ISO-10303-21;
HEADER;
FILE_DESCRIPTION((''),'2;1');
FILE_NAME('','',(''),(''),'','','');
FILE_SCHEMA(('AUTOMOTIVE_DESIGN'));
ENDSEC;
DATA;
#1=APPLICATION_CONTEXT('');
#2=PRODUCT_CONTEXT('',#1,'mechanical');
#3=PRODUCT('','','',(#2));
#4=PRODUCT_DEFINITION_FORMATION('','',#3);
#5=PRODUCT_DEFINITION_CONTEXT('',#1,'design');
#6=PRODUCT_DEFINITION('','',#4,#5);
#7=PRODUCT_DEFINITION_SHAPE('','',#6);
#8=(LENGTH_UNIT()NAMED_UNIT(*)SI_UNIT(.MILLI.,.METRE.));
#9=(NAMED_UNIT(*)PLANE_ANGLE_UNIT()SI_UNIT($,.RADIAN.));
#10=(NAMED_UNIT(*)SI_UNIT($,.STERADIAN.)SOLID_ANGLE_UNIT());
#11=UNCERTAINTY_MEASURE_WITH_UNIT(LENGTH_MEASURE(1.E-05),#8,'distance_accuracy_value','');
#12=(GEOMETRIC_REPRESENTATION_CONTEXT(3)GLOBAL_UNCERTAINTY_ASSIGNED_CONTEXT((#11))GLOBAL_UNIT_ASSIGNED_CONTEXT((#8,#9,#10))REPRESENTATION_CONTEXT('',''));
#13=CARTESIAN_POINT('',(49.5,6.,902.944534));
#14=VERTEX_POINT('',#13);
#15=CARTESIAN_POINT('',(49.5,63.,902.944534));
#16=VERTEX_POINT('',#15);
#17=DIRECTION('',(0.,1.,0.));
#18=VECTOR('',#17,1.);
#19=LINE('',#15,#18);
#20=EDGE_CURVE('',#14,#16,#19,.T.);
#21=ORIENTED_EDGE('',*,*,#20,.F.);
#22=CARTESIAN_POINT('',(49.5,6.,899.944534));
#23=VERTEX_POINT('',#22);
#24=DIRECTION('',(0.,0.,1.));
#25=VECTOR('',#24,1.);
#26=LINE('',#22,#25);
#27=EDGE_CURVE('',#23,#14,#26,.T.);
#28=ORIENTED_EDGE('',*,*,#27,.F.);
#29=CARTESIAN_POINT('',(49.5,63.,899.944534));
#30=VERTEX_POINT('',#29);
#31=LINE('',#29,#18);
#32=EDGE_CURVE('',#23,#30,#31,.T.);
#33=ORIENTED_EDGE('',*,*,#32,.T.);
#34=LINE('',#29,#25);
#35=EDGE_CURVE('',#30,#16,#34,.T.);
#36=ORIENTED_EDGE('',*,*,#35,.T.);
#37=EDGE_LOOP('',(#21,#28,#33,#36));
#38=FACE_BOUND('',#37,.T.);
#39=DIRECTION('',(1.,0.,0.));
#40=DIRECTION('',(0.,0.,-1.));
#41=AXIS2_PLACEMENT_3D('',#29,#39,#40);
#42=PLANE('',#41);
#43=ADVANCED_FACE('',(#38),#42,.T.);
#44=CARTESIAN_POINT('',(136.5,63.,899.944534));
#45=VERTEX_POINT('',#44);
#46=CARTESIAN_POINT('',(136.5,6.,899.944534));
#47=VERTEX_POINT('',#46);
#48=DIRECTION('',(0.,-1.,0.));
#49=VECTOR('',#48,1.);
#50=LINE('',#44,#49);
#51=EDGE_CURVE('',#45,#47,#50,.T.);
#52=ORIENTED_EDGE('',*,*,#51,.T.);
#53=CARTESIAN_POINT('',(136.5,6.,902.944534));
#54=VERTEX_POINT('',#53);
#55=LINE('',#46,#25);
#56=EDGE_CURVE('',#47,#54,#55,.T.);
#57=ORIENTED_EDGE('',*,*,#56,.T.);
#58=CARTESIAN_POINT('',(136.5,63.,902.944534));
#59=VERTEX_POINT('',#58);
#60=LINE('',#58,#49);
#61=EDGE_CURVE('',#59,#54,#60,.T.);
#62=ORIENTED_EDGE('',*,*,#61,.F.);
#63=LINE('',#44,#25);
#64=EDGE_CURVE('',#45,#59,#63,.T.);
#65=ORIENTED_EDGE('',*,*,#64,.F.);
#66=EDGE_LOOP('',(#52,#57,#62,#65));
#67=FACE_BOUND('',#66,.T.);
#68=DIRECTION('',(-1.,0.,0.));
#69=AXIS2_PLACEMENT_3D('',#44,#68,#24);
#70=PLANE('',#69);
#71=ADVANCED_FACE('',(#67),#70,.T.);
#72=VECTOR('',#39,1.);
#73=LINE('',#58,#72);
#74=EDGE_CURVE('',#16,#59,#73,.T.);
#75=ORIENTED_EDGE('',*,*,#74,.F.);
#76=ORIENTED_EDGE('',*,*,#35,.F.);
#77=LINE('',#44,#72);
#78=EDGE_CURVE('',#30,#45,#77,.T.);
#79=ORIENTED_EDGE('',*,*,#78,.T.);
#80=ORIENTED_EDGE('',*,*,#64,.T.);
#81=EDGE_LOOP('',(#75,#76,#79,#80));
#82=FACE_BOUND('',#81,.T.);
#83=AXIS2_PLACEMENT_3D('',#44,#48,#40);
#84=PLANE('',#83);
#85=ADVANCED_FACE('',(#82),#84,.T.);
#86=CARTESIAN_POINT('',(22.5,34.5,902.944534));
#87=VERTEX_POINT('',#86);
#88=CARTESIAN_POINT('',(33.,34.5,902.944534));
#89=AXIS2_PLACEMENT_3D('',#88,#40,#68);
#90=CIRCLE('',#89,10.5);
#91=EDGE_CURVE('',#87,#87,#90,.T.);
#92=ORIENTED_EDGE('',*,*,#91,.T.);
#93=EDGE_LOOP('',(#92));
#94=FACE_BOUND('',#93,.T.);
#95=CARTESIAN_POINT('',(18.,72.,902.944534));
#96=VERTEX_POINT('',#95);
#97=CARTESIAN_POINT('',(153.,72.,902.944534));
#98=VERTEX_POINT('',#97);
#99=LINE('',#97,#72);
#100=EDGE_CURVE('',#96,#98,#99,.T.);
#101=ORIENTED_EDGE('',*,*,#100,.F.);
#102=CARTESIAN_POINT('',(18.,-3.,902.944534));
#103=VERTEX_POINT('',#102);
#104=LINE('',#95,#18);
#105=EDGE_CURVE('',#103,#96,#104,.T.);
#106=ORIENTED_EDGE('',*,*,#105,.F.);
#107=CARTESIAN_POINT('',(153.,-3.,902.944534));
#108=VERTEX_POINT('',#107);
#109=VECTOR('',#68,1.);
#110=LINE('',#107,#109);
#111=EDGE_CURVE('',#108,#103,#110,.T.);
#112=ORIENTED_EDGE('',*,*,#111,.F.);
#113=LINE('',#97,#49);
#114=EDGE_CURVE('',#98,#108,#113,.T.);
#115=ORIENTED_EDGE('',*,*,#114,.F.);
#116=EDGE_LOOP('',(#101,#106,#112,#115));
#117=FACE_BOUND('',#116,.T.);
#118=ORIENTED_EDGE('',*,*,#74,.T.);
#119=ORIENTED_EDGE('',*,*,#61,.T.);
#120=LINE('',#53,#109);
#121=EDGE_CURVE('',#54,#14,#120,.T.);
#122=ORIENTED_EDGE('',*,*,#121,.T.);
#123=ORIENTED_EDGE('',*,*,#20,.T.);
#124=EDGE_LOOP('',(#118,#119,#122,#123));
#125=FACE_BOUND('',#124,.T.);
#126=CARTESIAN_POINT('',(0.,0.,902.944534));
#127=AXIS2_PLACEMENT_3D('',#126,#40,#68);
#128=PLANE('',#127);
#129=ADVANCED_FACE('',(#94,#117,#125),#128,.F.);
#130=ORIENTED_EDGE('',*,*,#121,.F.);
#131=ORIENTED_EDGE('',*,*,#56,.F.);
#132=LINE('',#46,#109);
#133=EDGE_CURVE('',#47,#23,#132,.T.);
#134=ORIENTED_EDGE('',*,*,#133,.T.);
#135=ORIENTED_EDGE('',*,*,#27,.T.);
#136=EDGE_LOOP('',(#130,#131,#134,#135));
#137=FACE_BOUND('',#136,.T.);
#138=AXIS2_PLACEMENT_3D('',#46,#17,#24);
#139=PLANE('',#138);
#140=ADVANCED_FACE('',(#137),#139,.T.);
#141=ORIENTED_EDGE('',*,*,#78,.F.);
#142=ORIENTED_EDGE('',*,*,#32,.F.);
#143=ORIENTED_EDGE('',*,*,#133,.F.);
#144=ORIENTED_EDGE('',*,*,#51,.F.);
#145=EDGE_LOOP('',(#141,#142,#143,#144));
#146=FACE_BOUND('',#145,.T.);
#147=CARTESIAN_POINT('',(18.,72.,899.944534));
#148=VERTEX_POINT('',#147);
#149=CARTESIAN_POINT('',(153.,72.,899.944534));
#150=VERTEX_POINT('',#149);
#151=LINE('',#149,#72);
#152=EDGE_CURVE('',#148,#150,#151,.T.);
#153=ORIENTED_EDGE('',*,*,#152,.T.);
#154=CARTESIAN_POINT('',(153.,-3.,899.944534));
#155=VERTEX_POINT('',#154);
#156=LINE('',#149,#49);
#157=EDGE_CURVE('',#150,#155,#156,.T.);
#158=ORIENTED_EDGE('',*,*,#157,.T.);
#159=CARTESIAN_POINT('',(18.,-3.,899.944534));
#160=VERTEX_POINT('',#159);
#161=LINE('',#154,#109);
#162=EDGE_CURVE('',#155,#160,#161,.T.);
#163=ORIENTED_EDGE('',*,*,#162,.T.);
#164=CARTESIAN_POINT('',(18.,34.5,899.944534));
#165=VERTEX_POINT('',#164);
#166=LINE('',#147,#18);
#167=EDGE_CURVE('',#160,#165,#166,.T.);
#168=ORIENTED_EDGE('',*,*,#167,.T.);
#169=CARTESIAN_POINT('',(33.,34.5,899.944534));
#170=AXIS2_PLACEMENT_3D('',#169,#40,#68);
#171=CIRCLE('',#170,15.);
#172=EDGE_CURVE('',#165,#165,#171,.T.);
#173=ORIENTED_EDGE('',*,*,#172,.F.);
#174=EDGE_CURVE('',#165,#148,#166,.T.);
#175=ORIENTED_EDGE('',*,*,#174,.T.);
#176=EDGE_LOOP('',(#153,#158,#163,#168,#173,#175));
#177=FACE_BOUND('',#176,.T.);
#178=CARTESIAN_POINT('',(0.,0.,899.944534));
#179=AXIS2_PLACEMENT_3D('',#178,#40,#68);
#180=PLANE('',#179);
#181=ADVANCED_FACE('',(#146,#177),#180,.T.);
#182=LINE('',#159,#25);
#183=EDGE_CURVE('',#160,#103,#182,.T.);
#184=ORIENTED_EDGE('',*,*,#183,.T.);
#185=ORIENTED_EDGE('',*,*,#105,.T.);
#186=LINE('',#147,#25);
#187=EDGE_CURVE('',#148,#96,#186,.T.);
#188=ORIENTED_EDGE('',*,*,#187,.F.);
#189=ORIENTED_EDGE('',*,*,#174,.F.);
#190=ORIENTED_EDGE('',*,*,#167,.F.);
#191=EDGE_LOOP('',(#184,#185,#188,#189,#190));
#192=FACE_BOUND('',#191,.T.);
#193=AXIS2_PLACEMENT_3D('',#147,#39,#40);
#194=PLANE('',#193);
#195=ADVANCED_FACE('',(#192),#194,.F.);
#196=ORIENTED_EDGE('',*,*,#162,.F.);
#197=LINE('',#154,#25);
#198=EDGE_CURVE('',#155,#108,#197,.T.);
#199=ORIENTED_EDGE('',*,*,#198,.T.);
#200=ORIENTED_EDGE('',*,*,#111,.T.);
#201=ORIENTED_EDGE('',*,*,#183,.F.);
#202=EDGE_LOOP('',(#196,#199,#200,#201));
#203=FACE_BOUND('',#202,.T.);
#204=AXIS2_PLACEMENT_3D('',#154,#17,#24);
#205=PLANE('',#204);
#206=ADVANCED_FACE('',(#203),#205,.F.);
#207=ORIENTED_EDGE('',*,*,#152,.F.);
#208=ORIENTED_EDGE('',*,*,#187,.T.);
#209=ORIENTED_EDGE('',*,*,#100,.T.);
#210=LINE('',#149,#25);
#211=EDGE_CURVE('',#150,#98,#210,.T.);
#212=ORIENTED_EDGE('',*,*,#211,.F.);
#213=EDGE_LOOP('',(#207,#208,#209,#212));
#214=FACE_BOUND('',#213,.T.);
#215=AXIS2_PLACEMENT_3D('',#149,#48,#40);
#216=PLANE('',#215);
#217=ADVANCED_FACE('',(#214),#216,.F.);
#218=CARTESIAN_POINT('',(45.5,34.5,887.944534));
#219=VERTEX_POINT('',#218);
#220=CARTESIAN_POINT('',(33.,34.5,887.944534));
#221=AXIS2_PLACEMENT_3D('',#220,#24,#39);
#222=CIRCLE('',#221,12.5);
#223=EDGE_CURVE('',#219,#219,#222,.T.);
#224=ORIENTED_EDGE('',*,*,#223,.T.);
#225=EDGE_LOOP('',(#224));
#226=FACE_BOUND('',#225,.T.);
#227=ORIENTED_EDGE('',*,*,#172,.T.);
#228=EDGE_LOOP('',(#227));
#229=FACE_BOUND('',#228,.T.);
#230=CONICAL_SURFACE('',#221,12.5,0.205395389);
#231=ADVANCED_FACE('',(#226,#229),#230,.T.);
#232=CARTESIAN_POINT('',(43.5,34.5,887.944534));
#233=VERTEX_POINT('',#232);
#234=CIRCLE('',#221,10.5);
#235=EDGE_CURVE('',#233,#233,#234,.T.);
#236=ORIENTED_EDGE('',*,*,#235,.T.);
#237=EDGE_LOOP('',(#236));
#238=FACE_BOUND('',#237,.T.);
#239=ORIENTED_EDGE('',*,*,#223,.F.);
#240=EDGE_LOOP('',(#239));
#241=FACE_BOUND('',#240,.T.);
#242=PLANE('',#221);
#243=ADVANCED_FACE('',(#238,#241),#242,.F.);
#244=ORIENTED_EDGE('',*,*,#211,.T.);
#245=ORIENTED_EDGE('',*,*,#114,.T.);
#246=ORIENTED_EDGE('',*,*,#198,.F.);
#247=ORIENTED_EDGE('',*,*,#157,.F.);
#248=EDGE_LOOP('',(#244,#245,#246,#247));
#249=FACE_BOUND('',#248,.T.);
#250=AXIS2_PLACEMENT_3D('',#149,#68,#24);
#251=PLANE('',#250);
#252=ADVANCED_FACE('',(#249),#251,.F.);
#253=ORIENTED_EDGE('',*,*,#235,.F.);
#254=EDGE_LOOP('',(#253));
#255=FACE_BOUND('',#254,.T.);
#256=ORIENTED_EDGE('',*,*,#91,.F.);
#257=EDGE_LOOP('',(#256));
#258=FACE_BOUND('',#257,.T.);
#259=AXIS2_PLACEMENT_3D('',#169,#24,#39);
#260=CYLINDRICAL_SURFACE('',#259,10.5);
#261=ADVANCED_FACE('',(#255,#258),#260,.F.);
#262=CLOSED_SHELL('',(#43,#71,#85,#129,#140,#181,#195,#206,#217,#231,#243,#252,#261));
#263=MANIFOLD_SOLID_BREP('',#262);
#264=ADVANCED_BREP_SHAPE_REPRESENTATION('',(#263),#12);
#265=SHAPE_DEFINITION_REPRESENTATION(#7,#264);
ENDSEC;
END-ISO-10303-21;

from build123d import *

# Parameters (mm, degrees)
SKETCH_1_W          = 135
SKETCH_1_H          = 75
SKETCH_1_R          = 10.5
SKETCH_1_W_2        = 87
SKETCH_1_H_2        = 57
EXTRUDE_1_DEPTH     = 3
SKETCH_5_R          = 15
SKETCH_4_R          = 12.5
CUT_EXTRUDE_1_REACH = 171.52
SKETCH_5_93_R       = 10.5


with BuildPart() as part:
    # 草图1 → 凸台-拉伸1 (new body)
    with BuildSketch(Plane(origin=(0, 0, 902.944534426), x_dir=(-1, 0, 0), z_dir=(0, 0, -1))):
        with Locations((-85.5, 34.5)):
            Rectangle(SKETCH_1_W, SKETCH_1_H)
        with Locations((-33, 34.5)):
            Circle(SKETCH_1_R, mode=Mode.SUBTRACT)
        with Locations((-93, 34.5)):
            Rectangle(SKETCH_1_W_2, SKETCH_1_H_2, mode=Mode.SUBTRACT)
    extrude(amount=EXTRUDE_1_DEPTH)

    # 草图5 → 放样4 section 0
    with BuildSketch(Plane(origin=(0, 0, 899.944534426), x_dir=(-1, 0, 0), z_dir=(0, 0, -1))):
        with Locations((-33, 34.5)):
            Circle(SKETCH_5_R)
    # 草图4 → 放样4 section 1
    with BuildSketch(Plane.XY.offset(887.944534426)):
        with Locations((33, 34.5)):
            Circle(SKETCH_4_R)
    loft()

    # 草图5<93> → 切除-拉伸1 (cut, up to next)
    with BuildSketch(Plane(origin=(0, 0, 899.944534426), x_dir=(-1, 0, 0), z_dir=(0, 0, -1)), mode=Mode.PRIVATE) as cut_extrude_1_sk1:
        with Locations(Location((-33, 34.5, 0), (0, 0, 180))):
            Circle(SKETCH_5_93_R)
    cut_extrude_1_tool1 = extrude(cut_extrude_1_sk1.sketch, amount=CUT_EXTRUDE_1_REACH, mode=Mode.PRIVATE) & part.part
    add(cut_extrude_1_tool1.solids().sort_by_distance((33, 34.5, 899.944534))[0], mode=Mode.SUBTRACT)


solid = part.part
